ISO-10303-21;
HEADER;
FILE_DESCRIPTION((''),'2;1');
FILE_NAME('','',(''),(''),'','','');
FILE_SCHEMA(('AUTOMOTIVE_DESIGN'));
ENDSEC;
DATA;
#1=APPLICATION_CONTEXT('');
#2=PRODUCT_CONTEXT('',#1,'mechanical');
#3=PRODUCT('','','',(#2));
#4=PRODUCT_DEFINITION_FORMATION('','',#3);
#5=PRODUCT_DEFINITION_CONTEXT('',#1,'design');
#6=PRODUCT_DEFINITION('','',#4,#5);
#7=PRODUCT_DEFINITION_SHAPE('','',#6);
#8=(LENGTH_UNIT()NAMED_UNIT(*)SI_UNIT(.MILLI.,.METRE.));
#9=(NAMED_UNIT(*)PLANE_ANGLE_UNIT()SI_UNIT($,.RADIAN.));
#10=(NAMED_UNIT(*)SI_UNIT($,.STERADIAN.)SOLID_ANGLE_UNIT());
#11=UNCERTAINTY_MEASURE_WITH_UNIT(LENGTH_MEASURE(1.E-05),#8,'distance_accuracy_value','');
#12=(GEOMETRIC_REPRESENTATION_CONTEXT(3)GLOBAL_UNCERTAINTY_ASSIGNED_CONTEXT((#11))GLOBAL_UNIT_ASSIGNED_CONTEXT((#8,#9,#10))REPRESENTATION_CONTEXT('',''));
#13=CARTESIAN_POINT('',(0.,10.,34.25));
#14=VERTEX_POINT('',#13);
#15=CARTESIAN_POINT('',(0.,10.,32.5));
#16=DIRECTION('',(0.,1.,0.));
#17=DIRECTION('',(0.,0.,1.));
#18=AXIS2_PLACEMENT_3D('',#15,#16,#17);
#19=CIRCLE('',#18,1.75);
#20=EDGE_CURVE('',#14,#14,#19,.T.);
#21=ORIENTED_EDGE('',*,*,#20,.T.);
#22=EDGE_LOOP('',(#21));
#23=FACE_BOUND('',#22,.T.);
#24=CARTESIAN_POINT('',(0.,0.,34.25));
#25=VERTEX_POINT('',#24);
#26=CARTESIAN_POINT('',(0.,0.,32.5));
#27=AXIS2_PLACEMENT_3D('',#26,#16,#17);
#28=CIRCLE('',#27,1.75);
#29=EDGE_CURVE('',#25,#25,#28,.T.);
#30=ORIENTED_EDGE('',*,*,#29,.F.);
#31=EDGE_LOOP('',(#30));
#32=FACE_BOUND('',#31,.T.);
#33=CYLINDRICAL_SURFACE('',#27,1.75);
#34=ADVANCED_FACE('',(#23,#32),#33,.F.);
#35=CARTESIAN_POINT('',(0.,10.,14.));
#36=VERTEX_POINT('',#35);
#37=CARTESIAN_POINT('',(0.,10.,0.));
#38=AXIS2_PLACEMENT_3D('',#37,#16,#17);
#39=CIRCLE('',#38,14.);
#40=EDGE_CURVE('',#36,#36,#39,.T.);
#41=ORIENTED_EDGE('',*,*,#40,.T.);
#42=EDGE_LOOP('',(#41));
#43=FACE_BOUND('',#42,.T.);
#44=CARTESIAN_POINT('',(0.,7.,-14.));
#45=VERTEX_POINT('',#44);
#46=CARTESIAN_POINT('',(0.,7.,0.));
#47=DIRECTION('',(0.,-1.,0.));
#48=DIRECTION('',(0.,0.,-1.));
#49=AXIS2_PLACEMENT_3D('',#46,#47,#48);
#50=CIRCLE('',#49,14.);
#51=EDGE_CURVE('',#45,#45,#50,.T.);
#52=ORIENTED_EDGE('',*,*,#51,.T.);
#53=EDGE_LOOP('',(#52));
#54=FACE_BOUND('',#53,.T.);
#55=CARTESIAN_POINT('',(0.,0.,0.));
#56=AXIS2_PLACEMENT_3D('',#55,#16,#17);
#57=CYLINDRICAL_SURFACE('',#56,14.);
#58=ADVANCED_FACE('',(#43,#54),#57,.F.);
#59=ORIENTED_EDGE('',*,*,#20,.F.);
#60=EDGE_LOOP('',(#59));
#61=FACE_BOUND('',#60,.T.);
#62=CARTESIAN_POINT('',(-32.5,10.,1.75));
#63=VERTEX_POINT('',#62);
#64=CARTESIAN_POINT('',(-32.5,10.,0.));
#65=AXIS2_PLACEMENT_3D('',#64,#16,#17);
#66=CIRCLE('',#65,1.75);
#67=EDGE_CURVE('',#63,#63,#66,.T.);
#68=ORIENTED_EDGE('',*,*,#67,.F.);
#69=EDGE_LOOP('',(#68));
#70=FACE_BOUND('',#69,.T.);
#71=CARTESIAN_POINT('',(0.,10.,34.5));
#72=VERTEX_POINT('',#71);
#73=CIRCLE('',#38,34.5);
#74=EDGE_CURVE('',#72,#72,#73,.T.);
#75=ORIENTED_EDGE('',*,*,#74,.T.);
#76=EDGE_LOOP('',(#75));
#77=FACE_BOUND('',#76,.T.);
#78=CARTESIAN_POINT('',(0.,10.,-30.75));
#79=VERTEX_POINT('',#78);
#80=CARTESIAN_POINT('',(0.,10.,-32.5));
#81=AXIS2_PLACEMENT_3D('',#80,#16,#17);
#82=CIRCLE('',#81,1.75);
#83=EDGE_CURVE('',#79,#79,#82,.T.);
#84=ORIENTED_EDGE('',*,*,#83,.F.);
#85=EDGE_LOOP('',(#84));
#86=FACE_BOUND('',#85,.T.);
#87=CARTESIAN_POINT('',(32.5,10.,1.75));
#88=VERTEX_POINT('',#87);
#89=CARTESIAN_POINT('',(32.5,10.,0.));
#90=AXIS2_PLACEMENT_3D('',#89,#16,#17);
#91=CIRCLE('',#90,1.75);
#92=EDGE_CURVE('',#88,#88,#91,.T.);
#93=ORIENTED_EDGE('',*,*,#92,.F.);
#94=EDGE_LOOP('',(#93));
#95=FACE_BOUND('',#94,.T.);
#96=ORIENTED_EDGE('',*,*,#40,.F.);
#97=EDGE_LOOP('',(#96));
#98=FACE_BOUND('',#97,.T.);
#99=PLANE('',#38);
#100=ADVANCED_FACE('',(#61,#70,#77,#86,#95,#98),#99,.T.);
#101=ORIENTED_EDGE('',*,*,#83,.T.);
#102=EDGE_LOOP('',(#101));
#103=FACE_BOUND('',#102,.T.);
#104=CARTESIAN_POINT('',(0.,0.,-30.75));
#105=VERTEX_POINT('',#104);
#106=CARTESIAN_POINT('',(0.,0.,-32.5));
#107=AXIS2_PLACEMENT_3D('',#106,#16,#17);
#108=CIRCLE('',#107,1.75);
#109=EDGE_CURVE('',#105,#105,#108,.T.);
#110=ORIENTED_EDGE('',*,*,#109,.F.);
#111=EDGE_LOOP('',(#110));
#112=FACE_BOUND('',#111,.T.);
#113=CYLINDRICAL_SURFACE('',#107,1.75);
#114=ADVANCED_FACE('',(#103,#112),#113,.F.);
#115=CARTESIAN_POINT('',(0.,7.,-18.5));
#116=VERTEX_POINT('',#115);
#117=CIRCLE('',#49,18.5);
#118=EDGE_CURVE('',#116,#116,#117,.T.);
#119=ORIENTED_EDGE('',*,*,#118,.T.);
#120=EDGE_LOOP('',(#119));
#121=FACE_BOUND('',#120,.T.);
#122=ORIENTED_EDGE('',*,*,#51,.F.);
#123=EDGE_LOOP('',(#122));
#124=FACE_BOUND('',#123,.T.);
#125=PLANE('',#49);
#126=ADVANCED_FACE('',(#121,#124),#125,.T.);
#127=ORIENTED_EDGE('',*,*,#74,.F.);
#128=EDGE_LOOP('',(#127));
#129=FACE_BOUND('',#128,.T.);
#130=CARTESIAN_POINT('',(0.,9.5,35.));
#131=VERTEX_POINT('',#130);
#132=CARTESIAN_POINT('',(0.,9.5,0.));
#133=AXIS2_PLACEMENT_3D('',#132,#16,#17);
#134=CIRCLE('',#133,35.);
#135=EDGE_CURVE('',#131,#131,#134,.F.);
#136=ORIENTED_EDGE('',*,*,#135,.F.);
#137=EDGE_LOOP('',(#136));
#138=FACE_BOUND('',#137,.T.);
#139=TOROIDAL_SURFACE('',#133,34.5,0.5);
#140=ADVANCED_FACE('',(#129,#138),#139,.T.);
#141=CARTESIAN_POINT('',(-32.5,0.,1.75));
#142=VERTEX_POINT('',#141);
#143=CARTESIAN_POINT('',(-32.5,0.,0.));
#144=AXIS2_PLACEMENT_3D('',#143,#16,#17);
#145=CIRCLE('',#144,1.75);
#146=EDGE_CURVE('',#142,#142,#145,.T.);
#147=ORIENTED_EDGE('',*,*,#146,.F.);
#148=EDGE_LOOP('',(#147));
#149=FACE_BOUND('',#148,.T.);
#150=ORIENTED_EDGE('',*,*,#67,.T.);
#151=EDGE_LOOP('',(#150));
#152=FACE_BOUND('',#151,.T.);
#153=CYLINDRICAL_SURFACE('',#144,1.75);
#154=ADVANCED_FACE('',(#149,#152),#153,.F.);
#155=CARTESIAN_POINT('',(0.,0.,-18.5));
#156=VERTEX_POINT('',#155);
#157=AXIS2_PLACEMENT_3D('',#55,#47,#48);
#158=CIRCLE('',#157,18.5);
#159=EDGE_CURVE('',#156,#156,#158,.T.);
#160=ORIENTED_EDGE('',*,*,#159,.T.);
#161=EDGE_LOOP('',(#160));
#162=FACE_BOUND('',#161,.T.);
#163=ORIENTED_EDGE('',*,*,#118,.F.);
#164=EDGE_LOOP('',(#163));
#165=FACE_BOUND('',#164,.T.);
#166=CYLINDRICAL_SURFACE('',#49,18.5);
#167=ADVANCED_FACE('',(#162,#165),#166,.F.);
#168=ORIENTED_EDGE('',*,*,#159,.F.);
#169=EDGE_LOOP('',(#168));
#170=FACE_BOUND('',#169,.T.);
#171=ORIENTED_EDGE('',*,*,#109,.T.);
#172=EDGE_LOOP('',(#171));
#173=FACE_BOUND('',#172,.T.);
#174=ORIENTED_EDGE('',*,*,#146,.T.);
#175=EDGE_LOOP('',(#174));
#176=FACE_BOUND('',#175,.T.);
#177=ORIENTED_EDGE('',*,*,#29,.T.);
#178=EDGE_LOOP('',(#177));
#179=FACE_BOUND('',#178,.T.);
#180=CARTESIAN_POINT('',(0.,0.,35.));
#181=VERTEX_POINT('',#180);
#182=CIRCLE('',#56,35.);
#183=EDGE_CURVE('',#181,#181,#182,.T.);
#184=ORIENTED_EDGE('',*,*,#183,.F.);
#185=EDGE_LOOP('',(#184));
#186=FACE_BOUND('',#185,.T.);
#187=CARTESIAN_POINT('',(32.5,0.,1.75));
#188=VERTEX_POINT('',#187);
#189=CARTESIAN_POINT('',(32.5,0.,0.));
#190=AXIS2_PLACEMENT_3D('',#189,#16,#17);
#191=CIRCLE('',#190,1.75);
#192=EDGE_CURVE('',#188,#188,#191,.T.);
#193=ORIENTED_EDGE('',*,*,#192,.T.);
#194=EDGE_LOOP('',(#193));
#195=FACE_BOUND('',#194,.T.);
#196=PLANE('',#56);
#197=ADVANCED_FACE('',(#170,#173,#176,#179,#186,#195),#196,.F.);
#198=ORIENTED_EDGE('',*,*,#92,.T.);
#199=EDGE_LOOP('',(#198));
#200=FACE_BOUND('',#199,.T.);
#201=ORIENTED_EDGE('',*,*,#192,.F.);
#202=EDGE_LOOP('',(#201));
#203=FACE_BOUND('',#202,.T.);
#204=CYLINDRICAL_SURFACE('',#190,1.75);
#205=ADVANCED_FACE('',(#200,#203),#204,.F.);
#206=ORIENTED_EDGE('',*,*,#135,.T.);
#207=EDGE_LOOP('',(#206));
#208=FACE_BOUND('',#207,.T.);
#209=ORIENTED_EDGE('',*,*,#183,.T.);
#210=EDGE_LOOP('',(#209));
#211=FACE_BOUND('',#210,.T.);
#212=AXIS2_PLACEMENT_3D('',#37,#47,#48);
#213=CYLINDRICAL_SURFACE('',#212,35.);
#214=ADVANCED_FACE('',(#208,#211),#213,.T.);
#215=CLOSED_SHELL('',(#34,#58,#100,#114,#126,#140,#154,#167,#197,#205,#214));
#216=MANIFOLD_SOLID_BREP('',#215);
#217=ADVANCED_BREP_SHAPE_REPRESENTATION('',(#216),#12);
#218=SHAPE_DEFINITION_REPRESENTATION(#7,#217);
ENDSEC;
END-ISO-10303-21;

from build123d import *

# Parameters (mm, degrees)
SKETCH1_R           = 35
BOSS_EXTRUDE1_DEPTH = 10
SKETCH2_R           = 1.75
CUT_EXTRUDE1_DEPTH  = 51.497524692
SKETCH4_R           = 18.5
CUT_EXTRUDE2_DEPTH  = 7
SKETCH5_R           = 14
CUT_EXTRUDE3_DEPTH  = 51.497524692
FILLET1_R           = 0.5


with BuildPart() as part:
    # Sketch1 → Boss-Extrude1 (new body)
    with BuildSketch(Plane(origin=(0, 0, 0), x_dir=(1, 0, 0), z_dir=(0, 1, 0))):
        with Locations(Location((0, 0, 0), (0, 0, 270))):
            Circle(SKETCH1_R)
    extrude(amount=BOSS_EXTRUDE1_DEPTH)

    # Sketch2 → Cut-Extrude1 (cut, through all)
    with BuildSketch(Plane(origin=(0, 10, 0), x_dir=(1, 0, 0), z_dir=(0, 1, 0))):
        with Locations(Location((0, 32.5, 0), (0, 0, 270))):
            Circle(SKETCH2_R)
        with Locations(Location((32.5, 0, 0), (0, 0, 270))):
            Circle(SKETCH2_R)
        with Locations(Location((0, -32.5, 0), (0, 0, 270))):
            Circle(SKETCH2_R)
        with Locations(Location((-32.5, 0, 0), (0, 0, 270))):
            Circle(SKETCH2_R)
    extrude(amount=-CUT_EXTRUDE1_DEPTH, mode=Mode.SUBTRACT)

    # Sketch4 → Cut-Extrude2 (cut)
    with BuildSketch(Plane.XZ):
        with Locations(Location((0, 0, 0), (0, 0, 270))):
            Circle(SKETCH4_R)
    extrude(amount=-CUT_EXTRUDE2_DEPTH, mode=Mode.SUBTRACT)

    # Sketch5 → Cut-Extrude3 (cut, through all)
    with BuildSketch(Plane(origin=(0, 10, 0), x_dir=(1, 0, 0), z_dir=(0, 1, 0))):
        with Locations(Location((0, 0, 0), (0, 0, 270))):
            Circle(SKETCH5_R)
    extrude(amount=-CUT_EXTRUDE3_DEPTH, mode=Mode.SUBTRACT)

    # Fillet1
    fillet1_edges = [part.edges().sort_by_distance(p)[0] for p in [
        (0, 10, -35),
    ]]
    fillet(fillet1_edges, radius=FILLET1_R)


solid = part.part
